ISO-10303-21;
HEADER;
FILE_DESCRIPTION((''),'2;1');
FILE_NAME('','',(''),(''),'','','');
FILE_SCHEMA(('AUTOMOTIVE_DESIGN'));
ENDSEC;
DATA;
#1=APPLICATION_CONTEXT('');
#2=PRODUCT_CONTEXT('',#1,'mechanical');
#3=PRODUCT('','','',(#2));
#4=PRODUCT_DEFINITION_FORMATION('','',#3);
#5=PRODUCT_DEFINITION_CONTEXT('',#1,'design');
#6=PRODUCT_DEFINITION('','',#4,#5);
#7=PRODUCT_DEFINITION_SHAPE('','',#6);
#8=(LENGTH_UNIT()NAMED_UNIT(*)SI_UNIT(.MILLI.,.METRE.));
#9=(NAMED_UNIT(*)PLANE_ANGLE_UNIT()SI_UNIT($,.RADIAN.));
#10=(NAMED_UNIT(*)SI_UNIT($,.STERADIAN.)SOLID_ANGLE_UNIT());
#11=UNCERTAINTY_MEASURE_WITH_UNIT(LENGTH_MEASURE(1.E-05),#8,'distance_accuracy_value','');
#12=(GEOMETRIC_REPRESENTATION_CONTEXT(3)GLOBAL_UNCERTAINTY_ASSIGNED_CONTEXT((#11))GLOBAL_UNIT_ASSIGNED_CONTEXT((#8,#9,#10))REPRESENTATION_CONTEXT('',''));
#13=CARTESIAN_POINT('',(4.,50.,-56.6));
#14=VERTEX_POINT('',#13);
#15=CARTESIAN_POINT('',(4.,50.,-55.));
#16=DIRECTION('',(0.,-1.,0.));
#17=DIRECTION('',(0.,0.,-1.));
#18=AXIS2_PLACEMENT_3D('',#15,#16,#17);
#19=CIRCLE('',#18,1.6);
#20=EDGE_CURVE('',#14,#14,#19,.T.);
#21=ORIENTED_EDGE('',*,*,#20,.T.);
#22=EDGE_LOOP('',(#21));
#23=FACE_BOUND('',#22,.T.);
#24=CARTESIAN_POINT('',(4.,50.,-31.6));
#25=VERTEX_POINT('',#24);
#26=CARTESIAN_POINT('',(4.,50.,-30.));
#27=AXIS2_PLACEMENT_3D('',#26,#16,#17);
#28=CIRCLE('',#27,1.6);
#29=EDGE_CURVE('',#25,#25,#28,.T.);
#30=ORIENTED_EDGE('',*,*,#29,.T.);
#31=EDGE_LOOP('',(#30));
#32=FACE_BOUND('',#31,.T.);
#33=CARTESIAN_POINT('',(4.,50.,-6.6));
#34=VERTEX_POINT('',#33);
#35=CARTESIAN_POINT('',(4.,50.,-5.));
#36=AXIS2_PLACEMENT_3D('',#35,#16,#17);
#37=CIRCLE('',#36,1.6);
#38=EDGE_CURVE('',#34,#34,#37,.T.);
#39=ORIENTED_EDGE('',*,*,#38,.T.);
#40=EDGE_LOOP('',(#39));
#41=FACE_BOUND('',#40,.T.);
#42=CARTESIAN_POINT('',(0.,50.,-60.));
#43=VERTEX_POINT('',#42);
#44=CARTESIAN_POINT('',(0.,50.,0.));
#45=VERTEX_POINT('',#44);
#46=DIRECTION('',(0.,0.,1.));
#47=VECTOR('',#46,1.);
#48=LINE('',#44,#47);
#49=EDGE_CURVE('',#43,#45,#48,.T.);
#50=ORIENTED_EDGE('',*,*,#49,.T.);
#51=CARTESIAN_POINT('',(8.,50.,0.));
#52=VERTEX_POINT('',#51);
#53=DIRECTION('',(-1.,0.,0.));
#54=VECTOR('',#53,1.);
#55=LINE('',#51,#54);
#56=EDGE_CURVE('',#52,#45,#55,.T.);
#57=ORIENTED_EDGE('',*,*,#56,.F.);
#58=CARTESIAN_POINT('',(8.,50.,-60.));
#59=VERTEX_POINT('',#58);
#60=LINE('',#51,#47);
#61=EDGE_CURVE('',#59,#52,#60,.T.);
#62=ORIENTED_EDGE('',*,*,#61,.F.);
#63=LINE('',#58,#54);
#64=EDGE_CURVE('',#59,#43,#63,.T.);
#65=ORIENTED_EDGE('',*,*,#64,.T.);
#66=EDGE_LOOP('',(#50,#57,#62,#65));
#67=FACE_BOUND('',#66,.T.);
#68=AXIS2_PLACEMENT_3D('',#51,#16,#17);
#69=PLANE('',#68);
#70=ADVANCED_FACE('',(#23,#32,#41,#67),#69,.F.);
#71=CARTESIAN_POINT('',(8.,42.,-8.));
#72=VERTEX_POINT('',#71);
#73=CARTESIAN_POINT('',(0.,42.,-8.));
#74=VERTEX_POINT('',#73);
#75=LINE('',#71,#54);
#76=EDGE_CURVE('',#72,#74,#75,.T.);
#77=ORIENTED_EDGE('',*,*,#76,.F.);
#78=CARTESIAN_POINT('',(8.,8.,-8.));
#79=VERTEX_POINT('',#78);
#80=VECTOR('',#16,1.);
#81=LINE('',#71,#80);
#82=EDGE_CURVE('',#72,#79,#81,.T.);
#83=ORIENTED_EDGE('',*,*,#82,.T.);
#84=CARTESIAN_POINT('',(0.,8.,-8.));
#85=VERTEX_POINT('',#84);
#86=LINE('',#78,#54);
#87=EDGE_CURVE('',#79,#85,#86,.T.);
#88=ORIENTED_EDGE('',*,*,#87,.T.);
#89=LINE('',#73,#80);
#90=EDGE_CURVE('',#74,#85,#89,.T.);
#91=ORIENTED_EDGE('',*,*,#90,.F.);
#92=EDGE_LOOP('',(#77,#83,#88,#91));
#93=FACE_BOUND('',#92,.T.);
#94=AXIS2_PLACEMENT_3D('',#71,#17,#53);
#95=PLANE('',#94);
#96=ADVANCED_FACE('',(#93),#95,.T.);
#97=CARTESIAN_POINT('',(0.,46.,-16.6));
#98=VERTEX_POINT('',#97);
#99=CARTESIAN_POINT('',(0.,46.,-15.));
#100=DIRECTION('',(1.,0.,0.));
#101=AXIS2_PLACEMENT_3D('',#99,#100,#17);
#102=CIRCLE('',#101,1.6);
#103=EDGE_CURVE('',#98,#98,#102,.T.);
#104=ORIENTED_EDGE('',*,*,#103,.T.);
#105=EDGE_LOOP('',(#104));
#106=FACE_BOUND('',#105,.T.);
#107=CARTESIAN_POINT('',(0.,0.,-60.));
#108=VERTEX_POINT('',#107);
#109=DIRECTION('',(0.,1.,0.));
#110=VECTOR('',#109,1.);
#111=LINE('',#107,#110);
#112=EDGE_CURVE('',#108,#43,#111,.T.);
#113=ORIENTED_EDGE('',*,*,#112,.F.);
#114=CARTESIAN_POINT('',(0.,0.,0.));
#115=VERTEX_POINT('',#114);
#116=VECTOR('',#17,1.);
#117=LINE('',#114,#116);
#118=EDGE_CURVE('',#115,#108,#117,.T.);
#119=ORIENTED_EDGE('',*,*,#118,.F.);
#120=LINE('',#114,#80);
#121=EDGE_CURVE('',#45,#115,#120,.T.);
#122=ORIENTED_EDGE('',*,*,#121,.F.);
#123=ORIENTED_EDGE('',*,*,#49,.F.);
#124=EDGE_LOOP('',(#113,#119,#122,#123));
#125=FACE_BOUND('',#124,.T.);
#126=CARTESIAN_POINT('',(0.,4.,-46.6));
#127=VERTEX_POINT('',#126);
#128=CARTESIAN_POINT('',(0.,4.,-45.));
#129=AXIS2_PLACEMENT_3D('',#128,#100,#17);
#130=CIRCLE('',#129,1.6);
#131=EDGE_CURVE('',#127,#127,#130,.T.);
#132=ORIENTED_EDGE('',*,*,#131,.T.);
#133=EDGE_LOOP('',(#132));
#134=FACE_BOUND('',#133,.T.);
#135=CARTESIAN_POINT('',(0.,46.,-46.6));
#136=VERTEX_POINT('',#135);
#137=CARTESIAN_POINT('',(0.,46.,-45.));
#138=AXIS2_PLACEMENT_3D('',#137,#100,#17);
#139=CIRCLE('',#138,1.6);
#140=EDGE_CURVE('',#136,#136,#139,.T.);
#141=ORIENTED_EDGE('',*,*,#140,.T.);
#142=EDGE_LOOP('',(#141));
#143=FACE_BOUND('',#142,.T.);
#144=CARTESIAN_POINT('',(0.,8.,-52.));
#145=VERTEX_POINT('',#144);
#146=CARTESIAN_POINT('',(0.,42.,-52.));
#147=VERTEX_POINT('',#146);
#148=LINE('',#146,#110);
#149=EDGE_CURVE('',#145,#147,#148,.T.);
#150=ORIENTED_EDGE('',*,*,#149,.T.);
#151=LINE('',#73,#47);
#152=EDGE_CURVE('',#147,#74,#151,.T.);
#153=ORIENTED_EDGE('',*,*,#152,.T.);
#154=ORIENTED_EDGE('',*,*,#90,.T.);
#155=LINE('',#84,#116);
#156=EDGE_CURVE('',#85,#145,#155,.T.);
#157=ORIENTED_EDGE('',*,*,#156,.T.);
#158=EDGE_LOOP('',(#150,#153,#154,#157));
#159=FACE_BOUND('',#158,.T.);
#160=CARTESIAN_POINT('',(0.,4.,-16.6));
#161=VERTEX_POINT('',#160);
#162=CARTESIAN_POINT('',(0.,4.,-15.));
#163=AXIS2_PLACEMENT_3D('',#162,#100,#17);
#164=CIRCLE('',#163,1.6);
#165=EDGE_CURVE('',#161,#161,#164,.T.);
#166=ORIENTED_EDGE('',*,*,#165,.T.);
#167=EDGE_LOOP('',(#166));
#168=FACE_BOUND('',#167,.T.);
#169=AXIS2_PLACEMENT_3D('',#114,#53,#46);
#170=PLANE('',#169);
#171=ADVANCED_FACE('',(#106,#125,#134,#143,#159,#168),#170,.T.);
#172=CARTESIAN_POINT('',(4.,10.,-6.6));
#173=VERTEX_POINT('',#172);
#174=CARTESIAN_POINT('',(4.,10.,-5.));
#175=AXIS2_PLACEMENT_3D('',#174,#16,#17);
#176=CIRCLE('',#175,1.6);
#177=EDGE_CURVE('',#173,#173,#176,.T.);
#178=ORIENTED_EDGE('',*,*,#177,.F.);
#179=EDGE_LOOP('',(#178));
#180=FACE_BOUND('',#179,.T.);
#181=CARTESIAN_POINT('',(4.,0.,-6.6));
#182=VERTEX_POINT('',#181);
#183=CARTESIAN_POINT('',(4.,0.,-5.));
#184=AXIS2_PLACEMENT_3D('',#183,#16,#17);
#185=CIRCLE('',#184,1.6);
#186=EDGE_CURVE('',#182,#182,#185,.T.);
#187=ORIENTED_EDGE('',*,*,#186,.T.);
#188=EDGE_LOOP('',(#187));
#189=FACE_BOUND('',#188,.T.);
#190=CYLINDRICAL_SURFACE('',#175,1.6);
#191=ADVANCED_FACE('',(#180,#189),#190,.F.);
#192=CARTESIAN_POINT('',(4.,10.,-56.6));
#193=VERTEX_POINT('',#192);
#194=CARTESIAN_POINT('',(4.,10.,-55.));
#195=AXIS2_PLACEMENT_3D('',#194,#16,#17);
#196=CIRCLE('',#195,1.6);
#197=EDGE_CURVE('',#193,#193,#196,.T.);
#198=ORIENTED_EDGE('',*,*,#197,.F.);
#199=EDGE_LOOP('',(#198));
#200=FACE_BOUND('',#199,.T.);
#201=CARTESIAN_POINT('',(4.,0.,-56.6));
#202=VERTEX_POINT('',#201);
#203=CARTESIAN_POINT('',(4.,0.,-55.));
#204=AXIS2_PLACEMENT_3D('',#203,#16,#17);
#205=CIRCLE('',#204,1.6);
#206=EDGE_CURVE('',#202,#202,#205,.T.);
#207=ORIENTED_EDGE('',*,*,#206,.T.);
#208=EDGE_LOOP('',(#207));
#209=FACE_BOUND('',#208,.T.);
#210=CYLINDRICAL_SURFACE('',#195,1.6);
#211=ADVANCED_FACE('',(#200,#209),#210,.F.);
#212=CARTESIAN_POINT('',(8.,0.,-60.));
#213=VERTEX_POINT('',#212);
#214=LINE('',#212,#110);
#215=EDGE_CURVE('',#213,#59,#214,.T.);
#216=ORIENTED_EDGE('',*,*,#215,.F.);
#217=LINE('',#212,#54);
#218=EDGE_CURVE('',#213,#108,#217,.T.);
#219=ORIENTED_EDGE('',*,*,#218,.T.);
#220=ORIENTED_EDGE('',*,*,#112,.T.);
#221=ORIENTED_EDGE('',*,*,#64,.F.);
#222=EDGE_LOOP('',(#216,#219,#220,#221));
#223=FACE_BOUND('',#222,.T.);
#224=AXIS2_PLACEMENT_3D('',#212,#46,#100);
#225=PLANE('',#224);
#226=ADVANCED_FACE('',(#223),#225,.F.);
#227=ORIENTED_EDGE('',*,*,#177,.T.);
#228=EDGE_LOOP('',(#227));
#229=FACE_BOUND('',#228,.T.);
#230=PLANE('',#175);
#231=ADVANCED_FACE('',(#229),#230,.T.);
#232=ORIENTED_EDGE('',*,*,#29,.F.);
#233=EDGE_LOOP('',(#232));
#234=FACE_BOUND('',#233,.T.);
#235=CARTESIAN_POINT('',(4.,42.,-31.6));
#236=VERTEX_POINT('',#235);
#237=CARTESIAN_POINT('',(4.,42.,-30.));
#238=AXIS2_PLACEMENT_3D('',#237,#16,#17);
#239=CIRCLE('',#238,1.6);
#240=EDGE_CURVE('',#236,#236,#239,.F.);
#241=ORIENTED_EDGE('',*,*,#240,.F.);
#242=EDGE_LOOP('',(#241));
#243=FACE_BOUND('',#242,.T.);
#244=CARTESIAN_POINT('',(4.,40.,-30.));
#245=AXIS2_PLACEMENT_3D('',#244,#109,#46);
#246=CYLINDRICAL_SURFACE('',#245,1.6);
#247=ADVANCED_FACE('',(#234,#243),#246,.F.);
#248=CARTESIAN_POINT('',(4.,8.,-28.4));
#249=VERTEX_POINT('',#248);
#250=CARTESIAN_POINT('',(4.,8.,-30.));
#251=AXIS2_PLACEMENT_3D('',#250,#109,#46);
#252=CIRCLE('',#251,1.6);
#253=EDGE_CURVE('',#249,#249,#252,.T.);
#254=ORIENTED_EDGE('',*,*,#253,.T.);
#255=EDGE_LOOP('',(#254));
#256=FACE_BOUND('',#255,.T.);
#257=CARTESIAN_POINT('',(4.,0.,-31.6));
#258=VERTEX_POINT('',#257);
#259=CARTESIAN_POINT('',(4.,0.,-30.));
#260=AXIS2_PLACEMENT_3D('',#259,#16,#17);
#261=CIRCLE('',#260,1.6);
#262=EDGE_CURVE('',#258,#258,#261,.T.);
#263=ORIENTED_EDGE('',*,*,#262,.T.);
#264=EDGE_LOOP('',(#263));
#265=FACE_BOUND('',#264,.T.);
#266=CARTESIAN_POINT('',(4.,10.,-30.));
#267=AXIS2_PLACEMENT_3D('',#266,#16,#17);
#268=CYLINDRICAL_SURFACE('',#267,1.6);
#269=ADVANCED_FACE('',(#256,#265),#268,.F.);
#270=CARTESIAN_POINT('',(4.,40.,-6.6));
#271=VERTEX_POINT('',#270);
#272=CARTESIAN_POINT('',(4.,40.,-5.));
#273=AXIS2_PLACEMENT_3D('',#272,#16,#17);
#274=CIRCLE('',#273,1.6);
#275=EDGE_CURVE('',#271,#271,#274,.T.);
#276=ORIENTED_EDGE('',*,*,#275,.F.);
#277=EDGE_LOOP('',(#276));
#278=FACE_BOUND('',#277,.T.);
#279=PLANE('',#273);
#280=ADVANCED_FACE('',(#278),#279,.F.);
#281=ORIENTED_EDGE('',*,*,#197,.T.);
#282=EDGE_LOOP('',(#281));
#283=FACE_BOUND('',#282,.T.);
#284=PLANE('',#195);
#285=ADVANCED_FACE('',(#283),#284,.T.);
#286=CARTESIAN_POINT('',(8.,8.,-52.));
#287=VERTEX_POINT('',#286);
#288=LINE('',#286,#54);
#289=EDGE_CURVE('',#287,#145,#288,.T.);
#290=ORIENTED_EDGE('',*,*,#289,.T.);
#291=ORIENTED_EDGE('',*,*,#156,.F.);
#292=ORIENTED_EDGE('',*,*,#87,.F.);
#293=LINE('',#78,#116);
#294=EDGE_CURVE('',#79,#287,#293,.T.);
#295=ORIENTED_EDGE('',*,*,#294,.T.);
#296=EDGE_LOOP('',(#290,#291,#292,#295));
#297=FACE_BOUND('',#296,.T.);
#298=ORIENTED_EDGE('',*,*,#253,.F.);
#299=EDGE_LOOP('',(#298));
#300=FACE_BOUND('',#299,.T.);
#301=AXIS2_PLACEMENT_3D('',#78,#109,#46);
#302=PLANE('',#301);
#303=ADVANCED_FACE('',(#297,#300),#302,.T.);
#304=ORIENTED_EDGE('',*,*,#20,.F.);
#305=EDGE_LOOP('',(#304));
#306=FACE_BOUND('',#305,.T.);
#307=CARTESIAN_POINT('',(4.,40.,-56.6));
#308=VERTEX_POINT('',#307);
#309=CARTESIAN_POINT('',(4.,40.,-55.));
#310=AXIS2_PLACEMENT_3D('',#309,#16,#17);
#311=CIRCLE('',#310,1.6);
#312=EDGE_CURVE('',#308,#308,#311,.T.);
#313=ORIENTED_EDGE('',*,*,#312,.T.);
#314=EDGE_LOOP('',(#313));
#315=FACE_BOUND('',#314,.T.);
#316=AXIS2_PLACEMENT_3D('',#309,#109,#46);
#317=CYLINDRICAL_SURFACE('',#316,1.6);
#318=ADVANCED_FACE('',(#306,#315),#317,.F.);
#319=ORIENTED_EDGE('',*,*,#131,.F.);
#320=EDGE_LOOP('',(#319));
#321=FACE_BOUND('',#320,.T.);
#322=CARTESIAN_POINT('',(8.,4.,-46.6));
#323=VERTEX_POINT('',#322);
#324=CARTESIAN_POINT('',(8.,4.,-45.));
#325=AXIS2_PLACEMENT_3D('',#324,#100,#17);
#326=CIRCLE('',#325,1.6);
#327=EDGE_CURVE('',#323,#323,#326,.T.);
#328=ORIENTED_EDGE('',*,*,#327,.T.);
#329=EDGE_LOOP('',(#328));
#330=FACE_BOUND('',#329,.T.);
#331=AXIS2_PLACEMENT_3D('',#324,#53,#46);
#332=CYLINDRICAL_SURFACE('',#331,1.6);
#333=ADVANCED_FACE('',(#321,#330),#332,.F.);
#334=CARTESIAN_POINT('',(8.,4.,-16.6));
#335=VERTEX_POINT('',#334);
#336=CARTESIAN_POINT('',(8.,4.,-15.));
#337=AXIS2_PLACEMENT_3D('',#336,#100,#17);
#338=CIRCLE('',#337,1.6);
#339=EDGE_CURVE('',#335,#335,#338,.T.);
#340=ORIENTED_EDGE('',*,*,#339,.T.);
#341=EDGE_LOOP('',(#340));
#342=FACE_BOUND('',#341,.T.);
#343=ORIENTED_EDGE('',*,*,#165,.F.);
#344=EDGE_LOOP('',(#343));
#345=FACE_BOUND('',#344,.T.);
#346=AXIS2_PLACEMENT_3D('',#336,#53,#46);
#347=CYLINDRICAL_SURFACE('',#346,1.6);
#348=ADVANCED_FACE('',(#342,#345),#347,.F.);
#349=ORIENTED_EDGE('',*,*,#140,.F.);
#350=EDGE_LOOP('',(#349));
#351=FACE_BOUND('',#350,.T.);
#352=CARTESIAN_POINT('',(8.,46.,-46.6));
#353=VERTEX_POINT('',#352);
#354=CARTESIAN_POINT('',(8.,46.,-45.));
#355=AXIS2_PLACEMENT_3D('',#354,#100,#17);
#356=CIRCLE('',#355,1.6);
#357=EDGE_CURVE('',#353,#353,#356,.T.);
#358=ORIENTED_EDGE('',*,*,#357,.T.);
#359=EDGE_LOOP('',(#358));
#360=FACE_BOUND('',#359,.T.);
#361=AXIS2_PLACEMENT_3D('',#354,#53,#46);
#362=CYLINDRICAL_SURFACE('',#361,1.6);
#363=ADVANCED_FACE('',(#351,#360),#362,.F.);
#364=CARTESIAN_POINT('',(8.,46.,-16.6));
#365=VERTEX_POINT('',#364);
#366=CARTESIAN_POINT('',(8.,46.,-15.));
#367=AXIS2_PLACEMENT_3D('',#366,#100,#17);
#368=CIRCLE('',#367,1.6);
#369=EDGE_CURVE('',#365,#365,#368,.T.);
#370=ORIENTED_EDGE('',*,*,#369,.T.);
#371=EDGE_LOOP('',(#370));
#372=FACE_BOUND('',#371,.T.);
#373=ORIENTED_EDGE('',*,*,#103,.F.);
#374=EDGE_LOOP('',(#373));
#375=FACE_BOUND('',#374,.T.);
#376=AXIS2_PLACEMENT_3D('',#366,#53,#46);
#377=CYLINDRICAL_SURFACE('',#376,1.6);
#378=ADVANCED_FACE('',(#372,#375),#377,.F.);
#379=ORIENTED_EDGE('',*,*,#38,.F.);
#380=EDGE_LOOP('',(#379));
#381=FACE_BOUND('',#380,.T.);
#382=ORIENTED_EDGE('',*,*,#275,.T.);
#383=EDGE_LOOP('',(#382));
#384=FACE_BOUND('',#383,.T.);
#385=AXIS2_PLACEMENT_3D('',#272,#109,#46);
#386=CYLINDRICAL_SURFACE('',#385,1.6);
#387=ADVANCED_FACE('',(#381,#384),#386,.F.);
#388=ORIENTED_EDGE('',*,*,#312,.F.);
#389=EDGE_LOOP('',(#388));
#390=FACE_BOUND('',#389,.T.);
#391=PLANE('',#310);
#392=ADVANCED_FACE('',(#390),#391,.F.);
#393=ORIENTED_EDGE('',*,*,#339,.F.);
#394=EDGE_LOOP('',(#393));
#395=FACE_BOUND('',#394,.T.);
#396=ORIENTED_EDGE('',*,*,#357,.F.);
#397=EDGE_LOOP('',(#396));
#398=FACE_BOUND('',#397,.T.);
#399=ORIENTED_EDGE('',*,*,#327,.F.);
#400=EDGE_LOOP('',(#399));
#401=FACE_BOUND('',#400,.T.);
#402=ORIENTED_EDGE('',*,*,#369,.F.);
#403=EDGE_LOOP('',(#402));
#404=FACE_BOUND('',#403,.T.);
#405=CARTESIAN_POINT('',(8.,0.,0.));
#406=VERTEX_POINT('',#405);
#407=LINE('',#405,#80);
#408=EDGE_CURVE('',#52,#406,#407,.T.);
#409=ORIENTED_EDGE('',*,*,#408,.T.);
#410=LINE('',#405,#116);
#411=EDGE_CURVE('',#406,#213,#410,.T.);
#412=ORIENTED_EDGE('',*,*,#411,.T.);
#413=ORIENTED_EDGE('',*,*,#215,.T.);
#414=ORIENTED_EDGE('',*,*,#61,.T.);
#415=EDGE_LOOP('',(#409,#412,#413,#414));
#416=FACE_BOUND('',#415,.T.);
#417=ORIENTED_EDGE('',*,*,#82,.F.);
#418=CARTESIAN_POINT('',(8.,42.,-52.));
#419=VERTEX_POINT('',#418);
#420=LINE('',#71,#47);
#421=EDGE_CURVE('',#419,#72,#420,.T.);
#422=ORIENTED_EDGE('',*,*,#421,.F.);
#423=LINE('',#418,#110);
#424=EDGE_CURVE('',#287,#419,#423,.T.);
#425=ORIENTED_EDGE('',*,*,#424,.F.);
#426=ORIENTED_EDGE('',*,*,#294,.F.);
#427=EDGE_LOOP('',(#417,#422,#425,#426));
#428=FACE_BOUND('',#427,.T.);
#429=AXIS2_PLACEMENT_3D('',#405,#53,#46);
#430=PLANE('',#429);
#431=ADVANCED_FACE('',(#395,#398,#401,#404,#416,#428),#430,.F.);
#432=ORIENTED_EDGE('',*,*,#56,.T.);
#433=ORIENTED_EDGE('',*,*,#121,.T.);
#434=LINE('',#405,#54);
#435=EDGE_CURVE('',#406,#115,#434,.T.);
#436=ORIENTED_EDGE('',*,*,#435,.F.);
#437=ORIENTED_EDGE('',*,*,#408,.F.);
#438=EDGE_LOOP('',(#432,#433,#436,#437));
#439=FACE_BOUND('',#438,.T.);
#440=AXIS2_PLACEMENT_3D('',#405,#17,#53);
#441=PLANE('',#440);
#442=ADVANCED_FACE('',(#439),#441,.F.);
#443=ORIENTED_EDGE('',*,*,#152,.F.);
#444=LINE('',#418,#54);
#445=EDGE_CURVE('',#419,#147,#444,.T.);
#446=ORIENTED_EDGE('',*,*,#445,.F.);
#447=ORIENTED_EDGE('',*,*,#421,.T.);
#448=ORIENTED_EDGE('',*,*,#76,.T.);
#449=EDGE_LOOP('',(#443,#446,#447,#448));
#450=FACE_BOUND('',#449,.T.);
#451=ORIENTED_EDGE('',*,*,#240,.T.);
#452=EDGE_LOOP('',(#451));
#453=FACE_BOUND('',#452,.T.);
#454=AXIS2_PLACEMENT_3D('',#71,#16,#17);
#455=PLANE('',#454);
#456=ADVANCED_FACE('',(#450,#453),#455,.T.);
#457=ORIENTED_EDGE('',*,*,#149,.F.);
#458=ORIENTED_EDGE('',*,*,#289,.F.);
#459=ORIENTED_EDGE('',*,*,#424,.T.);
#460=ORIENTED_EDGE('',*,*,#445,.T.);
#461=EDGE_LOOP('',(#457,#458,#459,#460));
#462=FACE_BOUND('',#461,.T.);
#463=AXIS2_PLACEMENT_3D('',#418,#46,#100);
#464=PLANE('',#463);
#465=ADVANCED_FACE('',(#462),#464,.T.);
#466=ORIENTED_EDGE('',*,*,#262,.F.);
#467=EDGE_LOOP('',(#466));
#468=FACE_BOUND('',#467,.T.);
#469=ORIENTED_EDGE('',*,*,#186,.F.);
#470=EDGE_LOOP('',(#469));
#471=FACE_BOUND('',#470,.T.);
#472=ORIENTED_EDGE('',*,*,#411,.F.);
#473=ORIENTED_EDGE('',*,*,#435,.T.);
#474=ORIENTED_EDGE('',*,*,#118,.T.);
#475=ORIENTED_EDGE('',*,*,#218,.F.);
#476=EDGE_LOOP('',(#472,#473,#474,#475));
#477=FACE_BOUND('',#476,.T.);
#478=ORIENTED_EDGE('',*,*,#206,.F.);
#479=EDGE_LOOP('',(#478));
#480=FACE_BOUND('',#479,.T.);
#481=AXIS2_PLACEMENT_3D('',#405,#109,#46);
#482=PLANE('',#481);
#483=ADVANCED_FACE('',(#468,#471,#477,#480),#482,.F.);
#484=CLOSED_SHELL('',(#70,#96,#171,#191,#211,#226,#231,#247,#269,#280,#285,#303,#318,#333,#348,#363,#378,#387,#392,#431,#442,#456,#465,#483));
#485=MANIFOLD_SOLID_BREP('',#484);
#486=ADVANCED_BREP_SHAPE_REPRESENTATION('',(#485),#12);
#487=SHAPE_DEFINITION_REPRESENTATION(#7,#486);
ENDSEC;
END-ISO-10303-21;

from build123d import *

# Parameters (mm, degrees)
SKETCH_1_W          = 60
SKETCH_1_H          = 50
SKETCH_1_R          = 1.6
SKETCH_1_W_2        = 44
SKETCH_1_H_2        = 34
EXTRUDE_1_DEPTH     = 8
SKETCH_2_R          = 1.6
CUT_EXTRUDE_1_DEPTH = 10
CUT_EXTRUDE_START   = -40
SKETCH_2_2_R        = 1.6
CUT_EXTRUDE_2_DEPTH = 10


with BuildPart() as part:
    # 草图1 → 凸台-拉伸1 (new body)
    with BuildSketch(Plane(origin=(0, 0, 0), x_dir=(0, 0, -1), z_dir=(1, 0, 0))):
        with Locations((30, 25)):
            Rectangle(SKETCH_1_W, SKETCH_1_H)
        with Locations((15, 46)):
            Circle(SKETCH_1_R, mode=Mode.SUBTRACT)
        with Locations((45, 46)):
            Circle(SKETCH_1_R, mode=Mode.SUBTRACT)
        with Locations((15, 4)):
            Circle(SKETCH_1_R, mode=Mode.SUBTRACT)
        with Locations((45, 4)):
            Circle(SKETCH_1_R, mode=Mode.SUBTRACT)
        with Locations((30, 25)):
            Rectangle(SKETCH_1_W_2, SKETCH_1_H_2, mode=Mode.SUBTRACT)
    extrude(amount=EXTRUDE_1_DEPTH)

    # 草图2 → 切除-拉伸1 (cut)
    with BuildSketch(Plane.XZ):
        with Locations(Location((4, -5, 0), (0, 0, 270))):
            Circle(SKETCH_2_R)
        with Locations(Location((4, -30, 0), (0, 0, 270))):
            Circle(SKETCH_2_R)
        with Locations(Location((4, -55, 0), (0, 0, 270))):
            Circle(SKETCH_2_R)
    extrude(amount=-CUT_EXTRUDE_1_DEPTH, mode=Mode.SUBTRACT)

    # 草图2<2> → 切除-拉伸2 (cut)
    with BuildSketch(Plane.XZ.offset(CUT_EXTRUDE_START)):
        with Locations(Location((4, -5, 0), (0, 0, 270))):
            Circle(SKETCH_2_2_R)
        with Locations(Location((4, -30, 0), (0, 0, 270))):
            Circle(SKETCH_2_2_R)
        with Locations(Location((4, -55, 0), (0, 0, 270))):
            Circle(SKETCH_2_2_R)
    extrude(amount=-CUT_EXTRUDE_2_DEPTH, mode=Mode.SUBTRACT)


solid = part.part
